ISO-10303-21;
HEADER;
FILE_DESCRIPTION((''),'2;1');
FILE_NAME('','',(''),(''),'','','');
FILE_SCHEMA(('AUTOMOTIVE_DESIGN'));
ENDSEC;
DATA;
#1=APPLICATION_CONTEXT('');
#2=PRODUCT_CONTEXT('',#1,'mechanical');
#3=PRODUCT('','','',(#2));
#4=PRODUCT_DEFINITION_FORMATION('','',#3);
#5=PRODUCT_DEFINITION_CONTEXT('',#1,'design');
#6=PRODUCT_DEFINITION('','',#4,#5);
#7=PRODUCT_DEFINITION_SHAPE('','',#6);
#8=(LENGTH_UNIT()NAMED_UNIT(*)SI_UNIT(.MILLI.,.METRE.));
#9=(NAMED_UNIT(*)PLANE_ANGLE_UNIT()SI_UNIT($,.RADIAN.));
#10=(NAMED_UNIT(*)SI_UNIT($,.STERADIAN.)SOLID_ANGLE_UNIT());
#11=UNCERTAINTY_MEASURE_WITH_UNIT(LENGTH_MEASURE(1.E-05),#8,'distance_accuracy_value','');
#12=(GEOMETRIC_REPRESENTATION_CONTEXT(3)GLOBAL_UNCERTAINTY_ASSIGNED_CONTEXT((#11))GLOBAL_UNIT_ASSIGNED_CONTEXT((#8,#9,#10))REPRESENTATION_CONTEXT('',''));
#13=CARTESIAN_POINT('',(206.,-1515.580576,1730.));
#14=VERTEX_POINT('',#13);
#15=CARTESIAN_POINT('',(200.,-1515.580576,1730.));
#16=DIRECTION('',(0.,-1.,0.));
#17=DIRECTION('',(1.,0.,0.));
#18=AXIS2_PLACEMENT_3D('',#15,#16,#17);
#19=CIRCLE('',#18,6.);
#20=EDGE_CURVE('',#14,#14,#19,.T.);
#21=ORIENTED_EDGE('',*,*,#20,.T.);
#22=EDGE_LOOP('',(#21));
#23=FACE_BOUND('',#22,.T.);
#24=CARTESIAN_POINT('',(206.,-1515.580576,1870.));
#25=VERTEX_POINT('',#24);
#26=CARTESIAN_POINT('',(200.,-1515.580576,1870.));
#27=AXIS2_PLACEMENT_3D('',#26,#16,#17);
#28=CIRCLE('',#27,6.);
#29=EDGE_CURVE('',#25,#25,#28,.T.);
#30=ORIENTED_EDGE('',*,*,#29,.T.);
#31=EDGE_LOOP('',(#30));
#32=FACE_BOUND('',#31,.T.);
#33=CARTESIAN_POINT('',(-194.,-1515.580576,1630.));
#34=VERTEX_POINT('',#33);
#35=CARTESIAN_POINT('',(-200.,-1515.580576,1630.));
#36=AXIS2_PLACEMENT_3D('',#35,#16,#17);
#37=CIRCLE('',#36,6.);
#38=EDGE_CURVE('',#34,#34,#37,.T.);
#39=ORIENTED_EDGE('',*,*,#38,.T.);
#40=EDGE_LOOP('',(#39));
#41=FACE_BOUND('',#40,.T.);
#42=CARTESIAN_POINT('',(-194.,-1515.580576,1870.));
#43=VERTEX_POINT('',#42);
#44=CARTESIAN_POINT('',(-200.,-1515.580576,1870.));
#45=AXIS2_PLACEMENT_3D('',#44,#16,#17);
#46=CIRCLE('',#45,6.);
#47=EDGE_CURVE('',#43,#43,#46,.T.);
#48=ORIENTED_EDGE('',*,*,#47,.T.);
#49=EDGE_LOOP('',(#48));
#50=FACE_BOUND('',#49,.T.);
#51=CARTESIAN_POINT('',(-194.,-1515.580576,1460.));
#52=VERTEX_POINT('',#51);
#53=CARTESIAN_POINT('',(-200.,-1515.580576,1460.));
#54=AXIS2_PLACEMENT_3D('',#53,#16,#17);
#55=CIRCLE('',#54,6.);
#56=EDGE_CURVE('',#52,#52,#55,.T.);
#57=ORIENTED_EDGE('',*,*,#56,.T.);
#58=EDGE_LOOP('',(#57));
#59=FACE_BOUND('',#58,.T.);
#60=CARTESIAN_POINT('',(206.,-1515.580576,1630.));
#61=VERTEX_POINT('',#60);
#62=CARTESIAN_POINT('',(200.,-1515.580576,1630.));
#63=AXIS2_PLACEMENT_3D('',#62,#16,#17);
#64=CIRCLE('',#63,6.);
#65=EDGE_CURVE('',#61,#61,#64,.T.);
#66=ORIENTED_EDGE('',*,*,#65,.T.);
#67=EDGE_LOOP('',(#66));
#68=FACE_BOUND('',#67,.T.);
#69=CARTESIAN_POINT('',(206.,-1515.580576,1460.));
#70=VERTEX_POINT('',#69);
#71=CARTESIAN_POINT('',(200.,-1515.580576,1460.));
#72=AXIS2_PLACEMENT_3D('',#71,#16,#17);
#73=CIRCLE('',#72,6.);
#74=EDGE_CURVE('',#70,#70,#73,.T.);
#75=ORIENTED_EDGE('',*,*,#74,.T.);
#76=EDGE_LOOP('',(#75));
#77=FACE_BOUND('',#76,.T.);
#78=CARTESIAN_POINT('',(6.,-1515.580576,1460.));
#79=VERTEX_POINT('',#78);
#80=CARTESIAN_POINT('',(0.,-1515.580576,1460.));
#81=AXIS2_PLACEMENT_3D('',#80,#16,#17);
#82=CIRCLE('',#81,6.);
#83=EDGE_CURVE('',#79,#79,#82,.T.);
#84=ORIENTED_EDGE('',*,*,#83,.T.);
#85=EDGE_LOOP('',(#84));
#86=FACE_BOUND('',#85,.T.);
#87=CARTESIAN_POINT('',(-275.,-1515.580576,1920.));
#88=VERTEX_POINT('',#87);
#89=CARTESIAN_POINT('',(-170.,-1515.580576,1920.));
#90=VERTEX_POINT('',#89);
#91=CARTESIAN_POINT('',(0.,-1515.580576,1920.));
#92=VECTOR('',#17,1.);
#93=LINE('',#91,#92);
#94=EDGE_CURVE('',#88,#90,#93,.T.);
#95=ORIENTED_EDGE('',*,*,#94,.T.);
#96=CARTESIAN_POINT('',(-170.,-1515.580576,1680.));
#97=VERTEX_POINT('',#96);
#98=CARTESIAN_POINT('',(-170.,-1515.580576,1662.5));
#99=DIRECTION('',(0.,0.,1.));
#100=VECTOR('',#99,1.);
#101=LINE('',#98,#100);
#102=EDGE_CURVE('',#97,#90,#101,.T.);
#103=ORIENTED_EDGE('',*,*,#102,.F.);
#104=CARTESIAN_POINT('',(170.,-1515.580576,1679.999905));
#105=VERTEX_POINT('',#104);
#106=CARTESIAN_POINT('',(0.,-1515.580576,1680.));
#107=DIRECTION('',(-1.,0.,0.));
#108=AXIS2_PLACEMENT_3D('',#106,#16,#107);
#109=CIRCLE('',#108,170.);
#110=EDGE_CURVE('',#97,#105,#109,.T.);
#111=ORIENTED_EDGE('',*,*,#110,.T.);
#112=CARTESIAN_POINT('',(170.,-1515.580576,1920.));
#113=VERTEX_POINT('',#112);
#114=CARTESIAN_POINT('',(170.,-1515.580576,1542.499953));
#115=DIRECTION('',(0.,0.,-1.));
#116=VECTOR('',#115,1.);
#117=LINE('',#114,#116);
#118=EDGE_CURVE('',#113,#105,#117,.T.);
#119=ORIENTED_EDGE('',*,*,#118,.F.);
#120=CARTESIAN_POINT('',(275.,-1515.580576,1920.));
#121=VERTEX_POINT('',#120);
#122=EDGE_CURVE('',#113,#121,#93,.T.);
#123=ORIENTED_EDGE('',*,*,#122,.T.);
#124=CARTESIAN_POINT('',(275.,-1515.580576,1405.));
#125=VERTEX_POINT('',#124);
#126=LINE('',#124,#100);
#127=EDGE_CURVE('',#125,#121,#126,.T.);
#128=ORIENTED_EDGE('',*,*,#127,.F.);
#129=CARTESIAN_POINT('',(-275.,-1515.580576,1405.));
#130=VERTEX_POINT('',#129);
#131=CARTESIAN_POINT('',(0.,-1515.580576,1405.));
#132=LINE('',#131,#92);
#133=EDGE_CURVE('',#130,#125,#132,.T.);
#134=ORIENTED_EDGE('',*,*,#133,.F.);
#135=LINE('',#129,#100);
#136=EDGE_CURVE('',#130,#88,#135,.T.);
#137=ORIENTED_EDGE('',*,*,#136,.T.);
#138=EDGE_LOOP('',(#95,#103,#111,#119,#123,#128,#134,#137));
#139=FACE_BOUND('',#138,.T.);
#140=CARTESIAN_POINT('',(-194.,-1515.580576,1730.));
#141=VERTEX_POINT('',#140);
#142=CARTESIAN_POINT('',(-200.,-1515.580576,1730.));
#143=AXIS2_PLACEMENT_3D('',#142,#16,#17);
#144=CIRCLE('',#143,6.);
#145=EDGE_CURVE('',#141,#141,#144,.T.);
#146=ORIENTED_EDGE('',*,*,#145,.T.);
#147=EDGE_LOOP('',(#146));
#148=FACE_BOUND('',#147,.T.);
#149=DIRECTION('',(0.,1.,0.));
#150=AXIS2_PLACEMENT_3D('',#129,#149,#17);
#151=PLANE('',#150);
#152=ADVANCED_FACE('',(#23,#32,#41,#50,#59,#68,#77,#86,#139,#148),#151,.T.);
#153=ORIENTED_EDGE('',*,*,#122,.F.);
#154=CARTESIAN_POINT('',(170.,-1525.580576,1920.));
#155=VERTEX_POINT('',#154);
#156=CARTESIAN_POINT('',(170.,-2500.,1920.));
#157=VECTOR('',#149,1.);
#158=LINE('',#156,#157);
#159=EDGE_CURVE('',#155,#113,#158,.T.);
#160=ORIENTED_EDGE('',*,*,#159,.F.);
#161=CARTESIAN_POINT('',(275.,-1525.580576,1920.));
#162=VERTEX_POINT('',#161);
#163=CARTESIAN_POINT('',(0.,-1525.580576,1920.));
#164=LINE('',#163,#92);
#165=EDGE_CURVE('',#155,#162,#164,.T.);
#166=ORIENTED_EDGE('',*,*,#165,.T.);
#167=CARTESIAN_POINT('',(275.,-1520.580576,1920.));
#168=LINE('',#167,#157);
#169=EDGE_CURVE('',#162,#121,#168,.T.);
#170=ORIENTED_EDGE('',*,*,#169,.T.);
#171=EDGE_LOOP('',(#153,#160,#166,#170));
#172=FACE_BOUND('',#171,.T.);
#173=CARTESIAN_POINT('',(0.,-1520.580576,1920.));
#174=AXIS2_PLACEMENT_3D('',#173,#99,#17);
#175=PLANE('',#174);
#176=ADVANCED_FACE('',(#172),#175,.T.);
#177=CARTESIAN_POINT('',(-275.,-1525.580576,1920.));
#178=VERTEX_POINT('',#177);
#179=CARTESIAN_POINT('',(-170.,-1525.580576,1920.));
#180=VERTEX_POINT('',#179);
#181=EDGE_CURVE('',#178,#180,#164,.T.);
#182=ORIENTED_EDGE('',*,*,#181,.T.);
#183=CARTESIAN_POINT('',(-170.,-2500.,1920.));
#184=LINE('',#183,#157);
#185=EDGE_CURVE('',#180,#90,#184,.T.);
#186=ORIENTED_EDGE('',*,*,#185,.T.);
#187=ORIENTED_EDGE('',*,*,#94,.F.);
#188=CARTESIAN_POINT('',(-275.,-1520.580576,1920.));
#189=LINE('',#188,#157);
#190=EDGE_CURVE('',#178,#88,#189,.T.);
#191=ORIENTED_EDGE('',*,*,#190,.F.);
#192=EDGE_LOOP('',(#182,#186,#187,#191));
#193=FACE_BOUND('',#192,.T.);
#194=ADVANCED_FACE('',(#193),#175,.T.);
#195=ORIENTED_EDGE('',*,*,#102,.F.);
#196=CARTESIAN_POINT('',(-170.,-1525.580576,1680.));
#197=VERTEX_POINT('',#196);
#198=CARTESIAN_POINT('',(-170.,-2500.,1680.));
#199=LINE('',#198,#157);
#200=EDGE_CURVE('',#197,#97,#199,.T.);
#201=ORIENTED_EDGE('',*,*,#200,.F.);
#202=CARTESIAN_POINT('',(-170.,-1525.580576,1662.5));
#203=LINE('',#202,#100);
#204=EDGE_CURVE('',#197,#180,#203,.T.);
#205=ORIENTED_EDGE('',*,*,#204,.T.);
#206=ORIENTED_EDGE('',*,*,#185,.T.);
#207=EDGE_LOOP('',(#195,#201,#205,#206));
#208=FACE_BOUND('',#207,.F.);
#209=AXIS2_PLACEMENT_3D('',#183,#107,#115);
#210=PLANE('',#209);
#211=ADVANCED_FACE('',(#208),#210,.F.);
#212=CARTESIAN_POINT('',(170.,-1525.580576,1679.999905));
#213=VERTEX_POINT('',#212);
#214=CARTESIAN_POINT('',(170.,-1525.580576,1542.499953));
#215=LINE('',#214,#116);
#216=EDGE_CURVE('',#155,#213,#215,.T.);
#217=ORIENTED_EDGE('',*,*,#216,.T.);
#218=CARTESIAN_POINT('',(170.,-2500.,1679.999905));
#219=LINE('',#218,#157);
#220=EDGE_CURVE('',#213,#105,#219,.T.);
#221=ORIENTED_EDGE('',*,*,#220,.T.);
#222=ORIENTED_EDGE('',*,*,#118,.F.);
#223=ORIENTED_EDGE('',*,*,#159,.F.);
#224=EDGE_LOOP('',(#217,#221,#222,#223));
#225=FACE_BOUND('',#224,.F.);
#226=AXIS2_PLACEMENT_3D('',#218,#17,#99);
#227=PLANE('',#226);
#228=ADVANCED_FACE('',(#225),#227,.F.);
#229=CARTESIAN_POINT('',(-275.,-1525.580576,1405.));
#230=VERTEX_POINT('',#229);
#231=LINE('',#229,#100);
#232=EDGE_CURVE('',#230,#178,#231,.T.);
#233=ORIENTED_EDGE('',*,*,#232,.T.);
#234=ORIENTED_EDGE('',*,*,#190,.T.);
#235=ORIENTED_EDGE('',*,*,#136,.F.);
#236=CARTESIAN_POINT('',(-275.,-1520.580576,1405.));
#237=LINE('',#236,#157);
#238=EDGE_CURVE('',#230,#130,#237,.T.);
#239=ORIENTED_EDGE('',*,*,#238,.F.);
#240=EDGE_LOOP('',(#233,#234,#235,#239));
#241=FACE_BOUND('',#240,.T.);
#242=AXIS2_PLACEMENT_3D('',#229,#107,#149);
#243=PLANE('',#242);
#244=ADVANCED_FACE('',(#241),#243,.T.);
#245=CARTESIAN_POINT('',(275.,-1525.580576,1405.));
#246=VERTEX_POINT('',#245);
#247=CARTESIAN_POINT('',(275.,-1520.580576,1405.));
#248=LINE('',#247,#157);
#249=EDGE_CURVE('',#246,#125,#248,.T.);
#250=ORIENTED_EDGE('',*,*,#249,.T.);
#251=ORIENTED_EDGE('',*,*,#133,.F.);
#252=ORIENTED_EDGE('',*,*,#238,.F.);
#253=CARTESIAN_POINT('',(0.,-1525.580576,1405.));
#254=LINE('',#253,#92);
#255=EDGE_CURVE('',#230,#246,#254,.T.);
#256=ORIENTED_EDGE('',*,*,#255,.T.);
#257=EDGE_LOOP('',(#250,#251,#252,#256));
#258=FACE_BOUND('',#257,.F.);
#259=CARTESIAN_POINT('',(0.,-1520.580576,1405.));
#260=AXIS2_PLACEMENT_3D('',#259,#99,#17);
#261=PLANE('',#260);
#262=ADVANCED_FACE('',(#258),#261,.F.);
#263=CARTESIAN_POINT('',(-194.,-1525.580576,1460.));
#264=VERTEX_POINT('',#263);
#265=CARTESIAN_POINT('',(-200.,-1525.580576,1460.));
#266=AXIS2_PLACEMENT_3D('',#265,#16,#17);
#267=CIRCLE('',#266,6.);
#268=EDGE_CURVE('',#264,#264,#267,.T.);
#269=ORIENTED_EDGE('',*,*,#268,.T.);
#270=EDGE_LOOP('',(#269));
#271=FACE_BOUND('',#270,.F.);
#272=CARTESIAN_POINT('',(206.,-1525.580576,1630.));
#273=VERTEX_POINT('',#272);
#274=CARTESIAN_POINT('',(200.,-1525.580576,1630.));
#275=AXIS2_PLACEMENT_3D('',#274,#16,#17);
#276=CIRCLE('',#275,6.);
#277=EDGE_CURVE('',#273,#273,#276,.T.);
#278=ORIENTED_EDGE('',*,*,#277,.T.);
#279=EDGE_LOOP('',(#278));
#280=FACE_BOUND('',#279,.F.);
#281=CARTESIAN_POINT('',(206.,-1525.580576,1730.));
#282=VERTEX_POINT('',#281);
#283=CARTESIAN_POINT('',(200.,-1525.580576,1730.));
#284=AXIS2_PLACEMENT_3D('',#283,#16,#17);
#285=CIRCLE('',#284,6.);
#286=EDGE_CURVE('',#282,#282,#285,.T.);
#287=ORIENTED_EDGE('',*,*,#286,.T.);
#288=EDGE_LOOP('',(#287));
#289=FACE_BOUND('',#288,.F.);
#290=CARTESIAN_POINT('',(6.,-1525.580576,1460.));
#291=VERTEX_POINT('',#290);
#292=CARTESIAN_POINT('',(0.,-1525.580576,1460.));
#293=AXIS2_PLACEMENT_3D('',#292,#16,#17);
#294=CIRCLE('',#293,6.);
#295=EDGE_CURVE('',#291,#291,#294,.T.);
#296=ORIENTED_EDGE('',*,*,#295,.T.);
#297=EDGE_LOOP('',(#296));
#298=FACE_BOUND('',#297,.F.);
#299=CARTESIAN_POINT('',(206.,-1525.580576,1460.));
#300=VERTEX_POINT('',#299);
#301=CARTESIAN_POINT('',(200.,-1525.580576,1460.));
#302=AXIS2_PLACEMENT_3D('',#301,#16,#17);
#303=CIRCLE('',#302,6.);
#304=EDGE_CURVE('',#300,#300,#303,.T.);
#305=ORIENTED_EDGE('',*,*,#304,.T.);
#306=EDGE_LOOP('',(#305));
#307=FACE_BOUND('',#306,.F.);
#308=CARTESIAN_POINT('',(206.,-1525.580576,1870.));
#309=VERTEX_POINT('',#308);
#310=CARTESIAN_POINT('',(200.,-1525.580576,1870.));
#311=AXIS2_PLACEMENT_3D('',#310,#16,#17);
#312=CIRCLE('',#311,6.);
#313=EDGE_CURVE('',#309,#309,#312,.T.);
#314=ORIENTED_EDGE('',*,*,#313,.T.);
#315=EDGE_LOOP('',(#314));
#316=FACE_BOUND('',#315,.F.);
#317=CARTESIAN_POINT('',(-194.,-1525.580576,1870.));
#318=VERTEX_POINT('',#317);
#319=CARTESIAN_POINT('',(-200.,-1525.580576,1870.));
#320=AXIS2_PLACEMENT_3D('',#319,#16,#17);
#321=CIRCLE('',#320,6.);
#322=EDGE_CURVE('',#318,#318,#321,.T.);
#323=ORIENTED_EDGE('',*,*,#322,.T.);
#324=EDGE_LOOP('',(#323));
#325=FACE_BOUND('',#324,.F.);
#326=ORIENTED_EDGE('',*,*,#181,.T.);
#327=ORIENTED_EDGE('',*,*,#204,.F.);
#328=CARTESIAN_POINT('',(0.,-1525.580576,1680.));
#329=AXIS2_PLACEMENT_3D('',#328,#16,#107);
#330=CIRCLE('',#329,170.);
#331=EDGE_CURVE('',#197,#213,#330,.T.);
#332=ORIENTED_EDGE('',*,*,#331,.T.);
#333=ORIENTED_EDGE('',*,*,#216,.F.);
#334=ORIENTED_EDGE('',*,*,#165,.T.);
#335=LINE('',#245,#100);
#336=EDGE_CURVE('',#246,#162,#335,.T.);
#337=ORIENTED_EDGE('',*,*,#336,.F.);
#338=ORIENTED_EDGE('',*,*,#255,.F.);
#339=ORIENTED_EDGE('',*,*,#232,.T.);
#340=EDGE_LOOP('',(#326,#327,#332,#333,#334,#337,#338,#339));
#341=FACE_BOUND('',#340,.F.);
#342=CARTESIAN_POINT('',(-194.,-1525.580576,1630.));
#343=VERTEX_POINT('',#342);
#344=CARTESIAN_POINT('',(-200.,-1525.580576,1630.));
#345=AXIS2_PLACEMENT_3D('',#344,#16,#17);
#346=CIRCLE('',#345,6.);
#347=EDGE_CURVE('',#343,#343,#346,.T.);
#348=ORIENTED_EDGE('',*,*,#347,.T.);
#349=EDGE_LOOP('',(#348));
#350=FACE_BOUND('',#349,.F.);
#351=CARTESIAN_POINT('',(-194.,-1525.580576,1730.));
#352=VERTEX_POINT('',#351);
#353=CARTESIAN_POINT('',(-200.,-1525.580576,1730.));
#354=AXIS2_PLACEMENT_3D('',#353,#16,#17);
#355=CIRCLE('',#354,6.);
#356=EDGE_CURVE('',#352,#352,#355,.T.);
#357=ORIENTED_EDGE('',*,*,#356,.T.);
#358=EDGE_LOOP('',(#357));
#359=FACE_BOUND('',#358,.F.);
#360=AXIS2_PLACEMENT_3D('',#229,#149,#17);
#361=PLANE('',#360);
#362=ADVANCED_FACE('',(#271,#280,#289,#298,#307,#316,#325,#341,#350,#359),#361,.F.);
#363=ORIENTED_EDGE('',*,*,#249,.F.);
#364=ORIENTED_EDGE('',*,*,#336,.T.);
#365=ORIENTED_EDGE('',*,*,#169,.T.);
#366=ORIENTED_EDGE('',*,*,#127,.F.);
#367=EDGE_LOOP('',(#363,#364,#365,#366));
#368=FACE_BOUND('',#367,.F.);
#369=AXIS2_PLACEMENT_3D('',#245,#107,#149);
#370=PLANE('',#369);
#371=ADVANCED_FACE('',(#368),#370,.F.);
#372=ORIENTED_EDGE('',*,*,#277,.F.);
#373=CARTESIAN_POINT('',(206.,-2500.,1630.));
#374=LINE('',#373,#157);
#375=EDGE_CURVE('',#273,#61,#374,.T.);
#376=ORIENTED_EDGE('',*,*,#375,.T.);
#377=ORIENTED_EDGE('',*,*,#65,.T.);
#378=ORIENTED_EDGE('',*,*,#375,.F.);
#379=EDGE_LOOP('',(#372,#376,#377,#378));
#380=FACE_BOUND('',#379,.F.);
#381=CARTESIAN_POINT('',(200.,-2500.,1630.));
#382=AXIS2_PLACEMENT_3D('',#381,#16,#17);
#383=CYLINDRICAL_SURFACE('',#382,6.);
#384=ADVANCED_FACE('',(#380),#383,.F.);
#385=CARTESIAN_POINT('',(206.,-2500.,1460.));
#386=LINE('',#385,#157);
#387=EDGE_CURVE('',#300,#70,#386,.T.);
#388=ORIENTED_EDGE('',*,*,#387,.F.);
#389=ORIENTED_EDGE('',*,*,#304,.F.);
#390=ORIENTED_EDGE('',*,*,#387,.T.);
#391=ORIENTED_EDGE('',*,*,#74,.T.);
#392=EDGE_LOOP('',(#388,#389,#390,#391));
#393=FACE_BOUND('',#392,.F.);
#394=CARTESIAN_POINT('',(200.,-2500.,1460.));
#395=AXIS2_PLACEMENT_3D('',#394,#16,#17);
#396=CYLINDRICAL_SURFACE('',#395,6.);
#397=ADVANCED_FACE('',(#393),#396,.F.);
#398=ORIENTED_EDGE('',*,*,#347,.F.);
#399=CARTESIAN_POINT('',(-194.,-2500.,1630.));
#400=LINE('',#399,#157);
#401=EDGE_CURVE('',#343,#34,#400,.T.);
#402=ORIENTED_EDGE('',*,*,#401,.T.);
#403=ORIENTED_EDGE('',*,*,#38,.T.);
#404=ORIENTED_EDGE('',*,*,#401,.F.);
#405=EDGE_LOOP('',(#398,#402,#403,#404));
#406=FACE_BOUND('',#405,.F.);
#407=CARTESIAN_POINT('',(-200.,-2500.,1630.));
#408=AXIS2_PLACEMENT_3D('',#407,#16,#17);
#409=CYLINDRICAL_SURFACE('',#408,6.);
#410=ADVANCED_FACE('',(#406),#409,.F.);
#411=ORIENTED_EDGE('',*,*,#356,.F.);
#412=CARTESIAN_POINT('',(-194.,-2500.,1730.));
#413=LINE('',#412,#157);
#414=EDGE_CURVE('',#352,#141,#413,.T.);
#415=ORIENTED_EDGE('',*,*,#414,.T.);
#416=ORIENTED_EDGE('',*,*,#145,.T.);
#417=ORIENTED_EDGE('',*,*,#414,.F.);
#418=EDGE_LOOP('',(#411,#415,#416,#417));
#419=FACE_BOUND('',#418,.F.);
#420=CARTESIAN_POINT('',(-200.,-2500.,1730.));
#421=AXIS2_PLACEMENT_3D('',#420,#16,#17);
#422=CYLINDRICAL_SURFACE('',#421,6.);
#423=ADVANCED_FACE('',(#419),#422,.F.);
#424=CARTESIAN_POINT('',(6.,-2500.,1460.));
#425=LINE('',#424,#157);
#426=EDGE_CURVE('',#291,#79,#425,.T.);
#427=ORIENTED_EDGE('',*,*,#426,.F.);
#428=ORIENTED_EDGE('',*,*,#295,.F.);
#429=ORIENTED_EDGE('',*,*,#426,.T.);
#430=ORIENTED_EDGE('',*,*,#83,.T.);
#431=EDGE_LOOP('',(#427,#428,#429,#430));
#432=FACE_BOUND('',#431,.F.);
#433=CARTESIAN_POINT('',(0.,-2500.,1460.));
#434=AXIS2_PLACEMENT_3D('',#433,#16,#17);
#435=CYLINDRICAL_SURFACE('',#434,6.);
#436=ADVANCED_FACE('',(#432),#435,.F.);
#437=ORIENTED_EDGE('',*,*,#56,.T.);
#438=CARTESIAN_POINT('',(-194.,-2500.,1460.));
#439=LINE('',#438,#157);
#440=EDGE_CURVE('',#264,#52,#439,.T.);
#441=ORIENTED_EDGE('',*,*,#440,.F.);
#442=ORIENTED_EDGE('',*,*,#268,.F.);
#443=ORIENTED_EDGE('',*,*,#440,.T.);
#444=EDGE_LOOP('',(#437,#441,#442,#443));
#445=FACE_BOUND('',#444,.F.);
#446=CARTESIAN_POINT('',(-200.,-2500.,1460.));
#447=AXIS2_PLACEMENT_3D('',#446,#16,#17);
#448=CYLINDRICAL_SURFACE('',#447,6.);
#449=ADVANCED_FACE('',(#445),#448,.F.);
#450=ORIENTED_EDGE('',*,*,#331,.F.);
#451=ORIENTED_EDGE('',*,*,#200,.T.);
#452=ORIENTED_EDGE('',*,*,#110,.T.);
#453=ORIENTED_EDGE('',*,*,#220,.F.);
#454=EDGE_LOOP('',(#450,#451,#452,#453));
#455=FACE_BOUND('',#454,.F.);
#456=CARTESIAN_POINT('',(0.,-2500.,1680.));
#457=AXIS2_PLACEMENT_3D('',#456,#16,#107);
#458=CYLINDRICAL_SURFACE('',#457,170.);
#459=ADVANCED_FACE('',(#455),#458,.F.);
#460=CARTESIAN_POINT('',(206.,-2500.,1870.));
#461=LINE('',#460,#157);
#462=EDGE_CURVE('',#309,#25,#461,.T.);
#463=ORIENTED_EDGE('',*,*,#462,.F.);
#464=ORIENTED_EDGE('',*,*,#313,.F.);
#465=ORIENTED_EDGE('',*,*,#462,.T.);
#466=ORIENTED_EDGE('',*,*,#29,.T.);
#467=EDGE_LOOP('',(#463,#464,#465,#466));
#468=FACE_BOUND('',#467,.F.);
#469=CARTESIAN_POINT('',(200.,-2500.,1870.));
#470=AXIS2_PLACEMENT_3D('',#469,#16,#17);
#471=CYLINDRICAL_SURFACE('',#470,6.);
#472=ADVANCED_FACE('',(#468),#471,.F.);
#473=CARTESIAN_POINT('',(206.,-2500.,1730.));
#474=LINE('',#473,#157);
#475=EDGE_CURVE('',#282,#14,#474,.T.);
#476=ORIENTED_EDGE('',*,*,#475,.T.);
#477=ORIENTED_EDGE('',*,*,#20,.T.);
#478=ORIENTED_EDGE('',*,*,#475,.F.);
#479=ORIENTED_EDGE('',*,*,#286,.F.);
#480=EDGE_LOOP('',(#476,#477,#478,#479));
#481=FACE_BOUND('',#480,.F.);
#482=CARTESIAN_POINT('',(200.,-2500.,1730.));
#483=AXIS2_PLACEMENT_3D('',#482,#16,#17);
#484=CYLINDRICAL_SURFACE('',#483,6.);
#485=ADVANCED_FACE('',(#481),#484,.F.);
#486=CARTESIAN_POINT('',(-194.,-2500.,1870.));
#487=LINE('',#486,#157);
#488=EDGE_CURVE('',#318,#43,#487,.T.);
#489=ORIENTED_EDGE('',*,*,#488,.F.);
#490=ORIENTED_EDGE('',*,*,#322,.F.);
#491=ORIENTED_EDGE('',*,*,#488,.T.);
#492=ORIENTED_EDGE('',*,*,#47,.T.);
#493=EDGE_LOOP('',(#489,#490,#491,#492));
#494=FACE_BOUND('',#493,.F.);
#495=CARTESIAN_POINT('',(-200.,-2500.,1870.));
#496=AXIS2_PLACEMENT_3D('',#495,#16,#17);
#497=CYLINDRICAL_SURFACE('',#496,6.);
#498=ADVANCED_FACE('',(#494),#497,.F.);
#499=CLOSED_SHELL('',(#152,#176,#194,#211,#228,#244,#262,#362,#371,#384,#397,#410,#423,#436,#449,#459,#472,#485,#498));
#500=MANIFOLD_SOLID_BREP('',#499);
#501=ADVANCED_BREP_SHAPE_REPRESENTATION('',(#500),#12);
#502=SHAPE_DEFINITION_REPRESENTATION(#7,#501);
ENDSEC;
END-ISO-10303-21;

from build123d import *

# Parameters (mm, degrees)
SKETCH005_R      = 6
EXTRUDE004_DEPTH = 1000
EXTRUDE003_DEPTH = 1000
SKETCH003_W      = 550
SKETCH003_H      = 10
EXTRUDE002_DEPTH = 515


with BuildPart() as extrude004:
    # Sketch005 → Extrude004 (new body)
    with BuildSketch(Plane.XZ.offset(2500)):
        with Locations((-200, 1730)):
            Circle(SKETCH005_R)
        with Locations((-200, 1870)):
            Circle(SKETCH005_R)
        with Locations((200, 1870)):
            Circle(SKETCH005_R)
        with Locations((200, 1730)):
            Circle(SKETCH005_R)
        with Locations((-200, 1630)):
            Circle(SKETCH005_R)
        with Locations((-200, 1460)):
            Circle(SKETCH005_R)
        with Locations((200, 1630)):
            Circle(SKETCH005_R)
        with Locations((200, 1460)):
            Circle(SKETCH005_R)
        with Locations((0, 1460)):
            Circle(SKETCH005_R)
    extrude(amount=-EXTRUDE004_DEPTH)


with BuildPart() as extrude003:
    # Sketch004 → Extrude003 (new body)
    with BuildSketch(Plane.XZ.offset(2500)):
        with BuildLine():
            Line((-170, 1920), (-170, 1680))
            ThreePointArc((-170, 1680), (-4.8e-05, 1510), (170, 1679.999905))
            Line((170, 1679.999905), (170, 1920))
            Line((170, 1920), (-170, 1920))
        make_face()
    extrude(amount=-EXTRUDE003_DEPTH)


with BuildPart() as cut002:
    # Sketch003 → Extrude002 (new body)
    with BuildSketch(Plane.XY.offset(1405)):
        with Locations((0, -1520.580576)):
            Rectangle(SKETCH003_W, SKETCH003_H)
    extrude(amount=EXTRUDE002_DEPTH)

    # Cut001: cut Extrude003
    add(extrude003.part, mode=Mode.SUBTRACT)

    # Cut002: cut Extrude004
    add(extrude004.part, mode=Mode.SUBTRACT)


solid = cut002.part
